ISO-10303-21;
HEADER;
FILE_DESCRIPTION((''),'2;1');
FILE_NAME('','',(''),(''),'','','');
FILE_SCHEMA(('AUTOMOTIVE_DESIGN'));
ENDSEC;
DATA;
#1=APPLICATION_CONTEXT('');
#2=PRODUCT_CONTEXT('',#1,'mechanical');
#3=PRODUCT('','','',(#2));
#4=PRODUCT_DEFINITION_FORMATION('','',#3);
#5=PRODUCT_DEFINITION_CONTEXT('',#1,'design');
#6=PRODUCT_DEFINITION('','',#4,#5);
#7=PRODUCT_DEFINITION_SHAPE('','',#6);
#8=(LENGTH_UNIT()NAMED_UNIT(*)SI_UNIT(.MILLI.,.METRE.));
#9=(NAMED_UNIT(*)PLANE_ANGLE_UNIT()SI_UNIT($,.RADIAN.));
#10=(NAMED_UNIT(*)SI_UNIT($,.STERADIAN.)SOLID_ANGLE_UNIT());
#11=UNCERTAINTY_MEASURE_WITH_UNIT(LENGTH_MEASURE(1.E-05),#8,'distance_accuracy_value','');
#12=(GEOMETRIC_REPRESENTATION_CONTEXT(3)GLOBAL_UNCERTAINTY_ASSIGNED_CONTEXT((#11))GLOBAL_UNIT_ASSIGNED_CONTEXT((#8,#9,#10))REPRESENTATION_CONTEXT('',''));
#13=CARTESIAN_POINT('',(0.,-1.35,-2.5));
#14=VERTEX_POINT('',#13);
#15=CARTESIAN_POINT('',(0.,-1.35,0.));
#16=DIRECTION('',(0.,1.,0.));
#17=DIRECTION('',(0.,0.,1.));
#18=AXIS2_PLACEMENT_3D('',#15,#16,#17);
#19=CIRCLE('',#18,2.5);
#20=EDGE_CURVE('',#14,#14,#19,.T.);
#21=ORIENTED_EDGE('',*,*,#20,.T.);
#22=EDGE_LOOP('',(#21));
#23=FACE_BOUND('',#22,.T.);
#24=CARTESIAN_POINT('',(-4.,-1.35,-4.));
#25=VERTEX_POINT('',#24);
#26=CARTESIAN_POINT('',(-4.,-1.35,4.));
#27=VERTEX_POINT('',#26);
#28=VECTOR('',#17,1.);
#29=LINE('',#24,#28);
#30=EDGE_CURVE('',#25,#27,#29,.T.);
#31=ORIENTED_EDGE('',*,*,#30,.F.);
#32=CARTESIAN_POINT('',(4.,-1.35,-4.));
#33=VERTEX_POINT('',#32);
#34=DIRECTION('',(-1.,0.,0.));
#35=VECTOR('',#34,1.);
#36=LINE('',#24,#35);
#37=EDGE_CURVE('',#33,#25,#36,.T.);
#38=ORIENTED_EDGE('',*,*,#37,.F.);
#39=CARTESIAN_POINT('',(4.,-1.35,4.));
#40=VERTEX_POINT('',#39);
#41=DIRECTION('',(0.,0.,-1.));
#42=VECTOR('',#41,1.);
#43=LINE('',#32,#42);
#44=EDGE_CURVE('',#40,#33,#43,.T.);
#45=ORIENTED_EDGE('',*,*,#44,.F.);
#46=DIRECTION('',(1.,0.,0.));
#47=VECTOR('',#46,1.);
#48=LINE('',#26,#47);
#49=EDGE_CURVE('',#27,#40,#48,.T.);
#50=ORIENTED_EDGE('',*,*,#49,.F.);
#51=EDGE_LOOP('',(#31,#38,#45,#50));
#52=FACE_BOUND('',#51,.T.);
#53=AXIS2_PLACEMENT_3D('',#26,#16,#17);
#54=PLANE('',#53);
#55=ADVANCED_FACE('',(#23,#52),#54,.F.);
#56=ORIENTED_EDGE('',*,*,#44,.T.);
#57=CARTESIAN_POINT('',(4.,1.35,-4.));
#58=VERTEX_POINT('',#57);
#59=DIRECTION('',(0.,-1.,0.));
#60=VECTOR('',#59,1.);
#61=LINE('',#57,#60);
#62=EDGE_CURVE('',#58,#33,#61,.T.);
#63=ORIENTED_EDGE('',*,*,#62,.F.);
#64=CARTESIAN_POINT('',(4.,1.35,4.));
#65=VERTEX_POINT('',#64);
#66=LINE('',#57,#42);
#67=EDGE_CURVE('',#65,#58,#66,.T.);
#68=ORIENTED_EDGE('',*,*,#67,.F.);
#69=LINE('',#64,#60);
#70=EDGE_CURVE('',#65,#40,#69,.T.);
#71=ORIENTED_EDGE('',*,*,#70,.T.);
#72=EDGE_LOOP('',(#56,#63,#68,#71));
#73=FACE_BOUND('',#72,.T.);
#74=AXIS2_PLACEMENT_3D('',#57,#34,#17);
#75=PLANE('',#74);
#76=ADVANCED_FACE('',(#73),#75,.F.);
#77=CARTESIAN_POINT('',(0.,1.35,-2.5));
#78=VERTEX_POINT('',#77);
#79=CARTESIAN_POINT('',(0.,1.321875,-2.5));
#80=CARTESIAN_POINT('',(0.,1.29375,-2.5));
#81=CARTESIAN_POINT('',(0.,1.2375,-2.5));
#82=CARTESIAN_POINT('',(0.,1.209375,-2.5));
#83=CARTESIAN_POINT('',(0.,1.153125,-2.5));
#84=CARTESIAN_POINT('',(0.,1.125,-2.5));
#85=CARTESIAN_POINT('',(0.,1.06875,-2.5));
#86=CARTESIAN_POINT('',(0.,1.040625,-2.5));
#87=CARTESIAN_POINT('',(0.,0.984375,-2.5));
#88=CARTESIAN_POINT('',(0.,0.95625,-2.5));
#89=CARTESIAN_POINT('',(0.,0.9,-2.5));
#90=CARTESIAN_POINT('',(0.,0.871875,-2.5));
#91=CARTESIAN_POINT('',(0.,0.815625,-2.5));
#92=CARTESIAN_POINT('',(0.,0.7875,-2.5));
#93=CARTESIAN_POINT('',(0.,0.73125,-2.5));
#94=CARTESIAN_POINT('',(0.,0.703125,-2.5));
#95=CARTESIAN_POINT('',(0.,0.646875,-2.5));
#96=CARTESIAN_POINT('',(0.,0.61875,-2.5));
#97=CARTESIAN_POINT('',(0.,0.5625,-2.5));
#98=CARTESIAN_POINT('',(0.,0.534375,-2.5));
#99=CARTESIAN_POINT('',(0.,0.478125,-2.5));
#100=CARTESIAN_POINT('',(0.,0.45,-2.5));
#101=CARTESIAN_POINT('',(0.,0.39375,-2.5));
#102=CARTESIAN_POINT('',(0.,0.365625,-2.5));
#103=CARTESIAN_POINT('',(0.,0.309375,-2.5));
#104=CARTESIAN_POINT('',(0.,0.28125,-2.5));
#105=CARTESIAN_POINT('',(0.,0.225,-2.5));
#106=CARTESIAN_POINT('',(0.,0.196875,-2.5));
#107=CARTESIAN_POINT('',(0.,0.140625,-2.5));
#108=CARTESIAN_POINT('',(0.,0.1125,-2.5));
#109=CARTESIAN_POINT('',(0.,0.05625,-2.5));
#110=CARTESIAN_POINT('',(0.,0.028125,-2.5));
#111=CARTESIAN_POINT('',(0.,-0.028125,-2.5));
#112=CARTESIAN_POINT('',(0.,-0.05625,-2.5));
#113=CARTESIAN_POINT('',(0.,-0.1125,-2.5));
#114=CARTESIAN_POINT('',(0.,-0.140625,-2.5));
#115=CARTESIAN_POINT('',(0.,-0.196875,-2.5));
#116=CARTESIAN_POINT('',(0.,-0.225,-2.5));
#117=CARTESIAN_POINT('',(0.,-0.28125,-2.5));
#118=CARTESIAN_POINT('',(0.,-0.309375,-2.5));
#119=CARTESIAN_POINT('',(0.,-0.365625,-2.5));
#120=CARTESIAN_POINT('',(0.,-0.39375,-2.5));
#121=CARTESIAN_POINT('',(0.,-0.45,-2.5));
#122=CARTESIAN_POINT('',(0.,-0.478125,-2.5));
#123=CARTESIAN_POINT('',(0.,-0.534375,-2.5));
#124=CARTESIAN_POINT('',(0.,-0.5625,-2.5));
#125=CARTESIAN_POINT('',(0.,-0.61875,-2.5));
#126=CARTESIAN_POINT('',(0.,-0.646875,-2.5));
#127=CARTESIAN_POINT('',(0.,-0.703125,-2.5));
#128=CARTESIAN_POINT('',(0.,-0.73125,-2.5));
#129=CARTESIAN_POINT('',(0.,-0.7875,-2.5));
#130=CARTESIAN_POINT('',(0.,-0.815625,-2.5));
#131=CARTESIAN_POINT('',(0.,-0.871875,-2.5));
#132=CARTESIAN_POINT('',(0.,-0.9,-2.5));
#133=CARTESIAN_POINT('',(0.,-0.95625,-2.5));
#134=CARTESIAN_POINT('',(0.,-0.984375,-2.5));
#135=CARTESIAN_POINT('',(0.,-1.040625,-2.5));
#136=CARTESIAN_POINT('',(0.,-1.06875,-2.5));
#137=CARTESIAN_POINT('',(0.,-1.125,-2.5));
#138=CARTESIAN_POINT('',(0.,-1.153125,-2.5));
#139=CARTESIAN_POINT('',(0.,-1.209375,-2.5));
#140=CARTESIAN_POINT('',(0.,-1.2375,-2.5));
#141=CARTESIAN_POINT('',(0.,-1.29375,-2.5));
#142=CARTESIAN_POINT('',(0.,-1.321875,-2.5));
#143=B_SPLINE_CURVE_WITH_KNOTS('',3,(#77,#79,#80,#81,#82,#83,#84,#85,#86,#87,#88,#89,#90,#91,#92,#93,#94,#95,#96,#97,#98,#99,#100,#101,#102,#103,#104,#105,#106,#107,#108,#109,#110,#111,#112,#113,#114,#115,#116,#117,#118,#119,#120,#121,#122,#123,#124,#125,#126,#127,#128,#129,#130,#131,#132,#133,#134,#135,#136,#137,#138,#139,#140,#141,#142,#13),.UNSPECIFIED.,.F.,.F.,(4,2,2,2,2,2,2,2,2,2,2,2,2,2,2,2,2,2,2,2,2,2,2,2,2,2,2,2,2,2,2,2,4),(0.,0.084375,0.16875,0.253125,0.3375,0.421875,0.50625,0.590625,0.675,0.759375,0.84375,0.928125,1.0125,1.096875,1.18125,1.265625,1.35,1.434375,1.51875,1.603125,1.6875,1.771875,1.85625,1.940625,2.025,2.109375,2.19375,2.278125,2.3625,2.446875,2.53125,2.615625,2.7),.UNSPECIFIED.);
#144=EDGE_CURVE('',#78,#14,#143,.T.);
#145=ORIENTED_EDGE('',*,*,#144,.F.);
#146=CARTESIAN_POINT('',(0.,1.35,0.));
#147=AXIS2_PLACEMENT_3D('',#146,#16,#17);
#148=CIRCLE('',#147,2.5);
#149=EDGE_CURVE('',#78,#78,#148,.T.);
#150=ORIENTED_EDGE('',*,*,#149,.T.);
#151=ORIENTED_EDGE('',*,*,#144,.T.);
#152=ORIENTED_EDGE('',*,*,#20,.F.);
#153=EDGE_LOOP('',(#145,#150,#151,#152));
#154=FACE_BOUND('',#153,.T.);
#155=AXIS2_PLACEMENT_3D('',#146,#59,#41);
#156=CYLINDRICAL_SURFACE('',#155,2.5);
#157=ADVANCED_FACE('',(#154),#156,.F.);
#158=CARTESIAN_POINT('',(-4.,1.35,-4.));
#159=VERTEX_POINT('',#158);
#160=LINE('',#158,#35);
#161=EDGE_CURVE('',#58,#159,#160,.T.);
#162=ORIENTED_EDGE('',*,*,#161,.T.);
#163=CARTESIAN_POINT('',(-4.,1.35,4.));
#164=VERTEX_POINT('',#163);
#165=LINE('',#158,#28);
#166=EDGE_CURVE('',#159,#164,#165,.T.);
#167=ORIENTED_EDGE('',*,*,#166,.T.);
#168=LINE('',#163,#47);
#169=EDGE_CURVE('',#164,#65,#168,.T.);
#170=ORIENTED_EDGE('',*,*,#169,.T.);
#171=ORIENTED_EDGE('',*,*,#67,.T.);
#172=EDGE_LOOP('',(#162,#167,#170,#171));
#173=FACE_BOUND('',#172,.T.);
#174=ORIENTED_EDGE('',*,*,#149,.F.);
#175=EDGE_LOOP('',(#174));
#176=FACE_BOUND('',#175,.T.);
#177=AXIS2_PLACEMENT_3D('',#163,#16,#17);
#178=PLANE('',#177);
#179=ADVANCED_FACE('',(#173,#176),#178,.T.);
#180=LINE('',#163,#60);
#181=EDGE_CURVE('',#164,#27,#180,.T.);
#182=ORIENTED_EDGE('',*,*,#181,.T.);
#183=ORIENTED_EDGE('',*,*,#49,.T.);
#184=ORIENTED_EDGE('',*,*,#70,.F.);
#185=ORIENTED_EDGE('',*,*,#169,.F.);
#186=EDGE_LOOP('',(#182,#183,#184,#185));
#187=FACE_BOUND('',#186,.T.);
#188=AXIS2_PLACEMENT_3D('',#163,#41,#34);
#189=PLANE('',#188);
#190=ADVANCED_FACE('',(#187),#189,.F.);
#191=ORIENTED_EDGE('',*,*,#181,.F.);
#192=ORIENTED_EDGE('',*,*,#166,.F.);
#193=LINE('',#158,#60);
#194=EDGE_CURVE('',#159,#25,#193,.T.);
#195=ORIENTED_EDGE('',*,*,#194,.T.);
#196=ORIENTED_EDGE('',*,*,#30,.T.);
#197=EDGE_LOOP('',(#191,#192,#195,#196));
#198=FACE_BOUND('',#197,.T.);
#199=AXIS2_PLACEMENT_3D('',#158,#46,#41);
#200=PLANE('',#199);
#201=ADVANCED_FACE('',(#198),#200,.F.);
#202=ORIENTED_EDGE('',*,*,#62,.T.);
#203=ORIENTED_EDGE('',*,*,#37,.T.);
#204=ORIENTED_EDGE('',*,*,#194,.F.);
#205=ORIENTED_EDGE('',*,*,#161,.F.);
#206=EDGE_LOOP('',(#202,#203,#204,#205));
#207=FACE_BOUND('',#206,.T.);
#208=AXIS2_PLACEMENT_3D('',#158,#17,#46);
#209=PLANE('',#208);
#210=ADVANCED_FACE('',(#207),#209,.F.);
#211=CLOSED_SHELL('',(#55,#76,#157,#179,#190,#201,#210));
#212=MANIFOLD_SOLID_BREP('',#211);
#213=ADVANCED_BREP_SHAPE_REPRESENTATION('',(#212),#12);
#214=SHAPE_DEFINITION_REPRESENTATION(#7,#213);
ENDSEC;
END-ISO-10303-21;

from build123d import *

# Parameters (mm, degrees)
SKETCH1_W           = 8
SKETCH1_H           = 8
SKETCH1_R           = 2.5
BOSS_EXTRUDE1_DEPTH = 1.35


with BuildPart() as part:
    # Sketch1 → Boss-Extrude1 (new, symmetric)
    with BuildSketch(Plane(origin=(0, 0, 0), x_dir=(1, 0, 0), z_dir=(0, 1, 0))):
        Rectangle(SKETCH1_W, SKETCH1_H)
        Circle(SKETCH1_R, mode=Mode.SUBTRACT)
    extrude(amount=BOSS_EXTRUDE1_DEPTH, both=True)


solid = part.part
